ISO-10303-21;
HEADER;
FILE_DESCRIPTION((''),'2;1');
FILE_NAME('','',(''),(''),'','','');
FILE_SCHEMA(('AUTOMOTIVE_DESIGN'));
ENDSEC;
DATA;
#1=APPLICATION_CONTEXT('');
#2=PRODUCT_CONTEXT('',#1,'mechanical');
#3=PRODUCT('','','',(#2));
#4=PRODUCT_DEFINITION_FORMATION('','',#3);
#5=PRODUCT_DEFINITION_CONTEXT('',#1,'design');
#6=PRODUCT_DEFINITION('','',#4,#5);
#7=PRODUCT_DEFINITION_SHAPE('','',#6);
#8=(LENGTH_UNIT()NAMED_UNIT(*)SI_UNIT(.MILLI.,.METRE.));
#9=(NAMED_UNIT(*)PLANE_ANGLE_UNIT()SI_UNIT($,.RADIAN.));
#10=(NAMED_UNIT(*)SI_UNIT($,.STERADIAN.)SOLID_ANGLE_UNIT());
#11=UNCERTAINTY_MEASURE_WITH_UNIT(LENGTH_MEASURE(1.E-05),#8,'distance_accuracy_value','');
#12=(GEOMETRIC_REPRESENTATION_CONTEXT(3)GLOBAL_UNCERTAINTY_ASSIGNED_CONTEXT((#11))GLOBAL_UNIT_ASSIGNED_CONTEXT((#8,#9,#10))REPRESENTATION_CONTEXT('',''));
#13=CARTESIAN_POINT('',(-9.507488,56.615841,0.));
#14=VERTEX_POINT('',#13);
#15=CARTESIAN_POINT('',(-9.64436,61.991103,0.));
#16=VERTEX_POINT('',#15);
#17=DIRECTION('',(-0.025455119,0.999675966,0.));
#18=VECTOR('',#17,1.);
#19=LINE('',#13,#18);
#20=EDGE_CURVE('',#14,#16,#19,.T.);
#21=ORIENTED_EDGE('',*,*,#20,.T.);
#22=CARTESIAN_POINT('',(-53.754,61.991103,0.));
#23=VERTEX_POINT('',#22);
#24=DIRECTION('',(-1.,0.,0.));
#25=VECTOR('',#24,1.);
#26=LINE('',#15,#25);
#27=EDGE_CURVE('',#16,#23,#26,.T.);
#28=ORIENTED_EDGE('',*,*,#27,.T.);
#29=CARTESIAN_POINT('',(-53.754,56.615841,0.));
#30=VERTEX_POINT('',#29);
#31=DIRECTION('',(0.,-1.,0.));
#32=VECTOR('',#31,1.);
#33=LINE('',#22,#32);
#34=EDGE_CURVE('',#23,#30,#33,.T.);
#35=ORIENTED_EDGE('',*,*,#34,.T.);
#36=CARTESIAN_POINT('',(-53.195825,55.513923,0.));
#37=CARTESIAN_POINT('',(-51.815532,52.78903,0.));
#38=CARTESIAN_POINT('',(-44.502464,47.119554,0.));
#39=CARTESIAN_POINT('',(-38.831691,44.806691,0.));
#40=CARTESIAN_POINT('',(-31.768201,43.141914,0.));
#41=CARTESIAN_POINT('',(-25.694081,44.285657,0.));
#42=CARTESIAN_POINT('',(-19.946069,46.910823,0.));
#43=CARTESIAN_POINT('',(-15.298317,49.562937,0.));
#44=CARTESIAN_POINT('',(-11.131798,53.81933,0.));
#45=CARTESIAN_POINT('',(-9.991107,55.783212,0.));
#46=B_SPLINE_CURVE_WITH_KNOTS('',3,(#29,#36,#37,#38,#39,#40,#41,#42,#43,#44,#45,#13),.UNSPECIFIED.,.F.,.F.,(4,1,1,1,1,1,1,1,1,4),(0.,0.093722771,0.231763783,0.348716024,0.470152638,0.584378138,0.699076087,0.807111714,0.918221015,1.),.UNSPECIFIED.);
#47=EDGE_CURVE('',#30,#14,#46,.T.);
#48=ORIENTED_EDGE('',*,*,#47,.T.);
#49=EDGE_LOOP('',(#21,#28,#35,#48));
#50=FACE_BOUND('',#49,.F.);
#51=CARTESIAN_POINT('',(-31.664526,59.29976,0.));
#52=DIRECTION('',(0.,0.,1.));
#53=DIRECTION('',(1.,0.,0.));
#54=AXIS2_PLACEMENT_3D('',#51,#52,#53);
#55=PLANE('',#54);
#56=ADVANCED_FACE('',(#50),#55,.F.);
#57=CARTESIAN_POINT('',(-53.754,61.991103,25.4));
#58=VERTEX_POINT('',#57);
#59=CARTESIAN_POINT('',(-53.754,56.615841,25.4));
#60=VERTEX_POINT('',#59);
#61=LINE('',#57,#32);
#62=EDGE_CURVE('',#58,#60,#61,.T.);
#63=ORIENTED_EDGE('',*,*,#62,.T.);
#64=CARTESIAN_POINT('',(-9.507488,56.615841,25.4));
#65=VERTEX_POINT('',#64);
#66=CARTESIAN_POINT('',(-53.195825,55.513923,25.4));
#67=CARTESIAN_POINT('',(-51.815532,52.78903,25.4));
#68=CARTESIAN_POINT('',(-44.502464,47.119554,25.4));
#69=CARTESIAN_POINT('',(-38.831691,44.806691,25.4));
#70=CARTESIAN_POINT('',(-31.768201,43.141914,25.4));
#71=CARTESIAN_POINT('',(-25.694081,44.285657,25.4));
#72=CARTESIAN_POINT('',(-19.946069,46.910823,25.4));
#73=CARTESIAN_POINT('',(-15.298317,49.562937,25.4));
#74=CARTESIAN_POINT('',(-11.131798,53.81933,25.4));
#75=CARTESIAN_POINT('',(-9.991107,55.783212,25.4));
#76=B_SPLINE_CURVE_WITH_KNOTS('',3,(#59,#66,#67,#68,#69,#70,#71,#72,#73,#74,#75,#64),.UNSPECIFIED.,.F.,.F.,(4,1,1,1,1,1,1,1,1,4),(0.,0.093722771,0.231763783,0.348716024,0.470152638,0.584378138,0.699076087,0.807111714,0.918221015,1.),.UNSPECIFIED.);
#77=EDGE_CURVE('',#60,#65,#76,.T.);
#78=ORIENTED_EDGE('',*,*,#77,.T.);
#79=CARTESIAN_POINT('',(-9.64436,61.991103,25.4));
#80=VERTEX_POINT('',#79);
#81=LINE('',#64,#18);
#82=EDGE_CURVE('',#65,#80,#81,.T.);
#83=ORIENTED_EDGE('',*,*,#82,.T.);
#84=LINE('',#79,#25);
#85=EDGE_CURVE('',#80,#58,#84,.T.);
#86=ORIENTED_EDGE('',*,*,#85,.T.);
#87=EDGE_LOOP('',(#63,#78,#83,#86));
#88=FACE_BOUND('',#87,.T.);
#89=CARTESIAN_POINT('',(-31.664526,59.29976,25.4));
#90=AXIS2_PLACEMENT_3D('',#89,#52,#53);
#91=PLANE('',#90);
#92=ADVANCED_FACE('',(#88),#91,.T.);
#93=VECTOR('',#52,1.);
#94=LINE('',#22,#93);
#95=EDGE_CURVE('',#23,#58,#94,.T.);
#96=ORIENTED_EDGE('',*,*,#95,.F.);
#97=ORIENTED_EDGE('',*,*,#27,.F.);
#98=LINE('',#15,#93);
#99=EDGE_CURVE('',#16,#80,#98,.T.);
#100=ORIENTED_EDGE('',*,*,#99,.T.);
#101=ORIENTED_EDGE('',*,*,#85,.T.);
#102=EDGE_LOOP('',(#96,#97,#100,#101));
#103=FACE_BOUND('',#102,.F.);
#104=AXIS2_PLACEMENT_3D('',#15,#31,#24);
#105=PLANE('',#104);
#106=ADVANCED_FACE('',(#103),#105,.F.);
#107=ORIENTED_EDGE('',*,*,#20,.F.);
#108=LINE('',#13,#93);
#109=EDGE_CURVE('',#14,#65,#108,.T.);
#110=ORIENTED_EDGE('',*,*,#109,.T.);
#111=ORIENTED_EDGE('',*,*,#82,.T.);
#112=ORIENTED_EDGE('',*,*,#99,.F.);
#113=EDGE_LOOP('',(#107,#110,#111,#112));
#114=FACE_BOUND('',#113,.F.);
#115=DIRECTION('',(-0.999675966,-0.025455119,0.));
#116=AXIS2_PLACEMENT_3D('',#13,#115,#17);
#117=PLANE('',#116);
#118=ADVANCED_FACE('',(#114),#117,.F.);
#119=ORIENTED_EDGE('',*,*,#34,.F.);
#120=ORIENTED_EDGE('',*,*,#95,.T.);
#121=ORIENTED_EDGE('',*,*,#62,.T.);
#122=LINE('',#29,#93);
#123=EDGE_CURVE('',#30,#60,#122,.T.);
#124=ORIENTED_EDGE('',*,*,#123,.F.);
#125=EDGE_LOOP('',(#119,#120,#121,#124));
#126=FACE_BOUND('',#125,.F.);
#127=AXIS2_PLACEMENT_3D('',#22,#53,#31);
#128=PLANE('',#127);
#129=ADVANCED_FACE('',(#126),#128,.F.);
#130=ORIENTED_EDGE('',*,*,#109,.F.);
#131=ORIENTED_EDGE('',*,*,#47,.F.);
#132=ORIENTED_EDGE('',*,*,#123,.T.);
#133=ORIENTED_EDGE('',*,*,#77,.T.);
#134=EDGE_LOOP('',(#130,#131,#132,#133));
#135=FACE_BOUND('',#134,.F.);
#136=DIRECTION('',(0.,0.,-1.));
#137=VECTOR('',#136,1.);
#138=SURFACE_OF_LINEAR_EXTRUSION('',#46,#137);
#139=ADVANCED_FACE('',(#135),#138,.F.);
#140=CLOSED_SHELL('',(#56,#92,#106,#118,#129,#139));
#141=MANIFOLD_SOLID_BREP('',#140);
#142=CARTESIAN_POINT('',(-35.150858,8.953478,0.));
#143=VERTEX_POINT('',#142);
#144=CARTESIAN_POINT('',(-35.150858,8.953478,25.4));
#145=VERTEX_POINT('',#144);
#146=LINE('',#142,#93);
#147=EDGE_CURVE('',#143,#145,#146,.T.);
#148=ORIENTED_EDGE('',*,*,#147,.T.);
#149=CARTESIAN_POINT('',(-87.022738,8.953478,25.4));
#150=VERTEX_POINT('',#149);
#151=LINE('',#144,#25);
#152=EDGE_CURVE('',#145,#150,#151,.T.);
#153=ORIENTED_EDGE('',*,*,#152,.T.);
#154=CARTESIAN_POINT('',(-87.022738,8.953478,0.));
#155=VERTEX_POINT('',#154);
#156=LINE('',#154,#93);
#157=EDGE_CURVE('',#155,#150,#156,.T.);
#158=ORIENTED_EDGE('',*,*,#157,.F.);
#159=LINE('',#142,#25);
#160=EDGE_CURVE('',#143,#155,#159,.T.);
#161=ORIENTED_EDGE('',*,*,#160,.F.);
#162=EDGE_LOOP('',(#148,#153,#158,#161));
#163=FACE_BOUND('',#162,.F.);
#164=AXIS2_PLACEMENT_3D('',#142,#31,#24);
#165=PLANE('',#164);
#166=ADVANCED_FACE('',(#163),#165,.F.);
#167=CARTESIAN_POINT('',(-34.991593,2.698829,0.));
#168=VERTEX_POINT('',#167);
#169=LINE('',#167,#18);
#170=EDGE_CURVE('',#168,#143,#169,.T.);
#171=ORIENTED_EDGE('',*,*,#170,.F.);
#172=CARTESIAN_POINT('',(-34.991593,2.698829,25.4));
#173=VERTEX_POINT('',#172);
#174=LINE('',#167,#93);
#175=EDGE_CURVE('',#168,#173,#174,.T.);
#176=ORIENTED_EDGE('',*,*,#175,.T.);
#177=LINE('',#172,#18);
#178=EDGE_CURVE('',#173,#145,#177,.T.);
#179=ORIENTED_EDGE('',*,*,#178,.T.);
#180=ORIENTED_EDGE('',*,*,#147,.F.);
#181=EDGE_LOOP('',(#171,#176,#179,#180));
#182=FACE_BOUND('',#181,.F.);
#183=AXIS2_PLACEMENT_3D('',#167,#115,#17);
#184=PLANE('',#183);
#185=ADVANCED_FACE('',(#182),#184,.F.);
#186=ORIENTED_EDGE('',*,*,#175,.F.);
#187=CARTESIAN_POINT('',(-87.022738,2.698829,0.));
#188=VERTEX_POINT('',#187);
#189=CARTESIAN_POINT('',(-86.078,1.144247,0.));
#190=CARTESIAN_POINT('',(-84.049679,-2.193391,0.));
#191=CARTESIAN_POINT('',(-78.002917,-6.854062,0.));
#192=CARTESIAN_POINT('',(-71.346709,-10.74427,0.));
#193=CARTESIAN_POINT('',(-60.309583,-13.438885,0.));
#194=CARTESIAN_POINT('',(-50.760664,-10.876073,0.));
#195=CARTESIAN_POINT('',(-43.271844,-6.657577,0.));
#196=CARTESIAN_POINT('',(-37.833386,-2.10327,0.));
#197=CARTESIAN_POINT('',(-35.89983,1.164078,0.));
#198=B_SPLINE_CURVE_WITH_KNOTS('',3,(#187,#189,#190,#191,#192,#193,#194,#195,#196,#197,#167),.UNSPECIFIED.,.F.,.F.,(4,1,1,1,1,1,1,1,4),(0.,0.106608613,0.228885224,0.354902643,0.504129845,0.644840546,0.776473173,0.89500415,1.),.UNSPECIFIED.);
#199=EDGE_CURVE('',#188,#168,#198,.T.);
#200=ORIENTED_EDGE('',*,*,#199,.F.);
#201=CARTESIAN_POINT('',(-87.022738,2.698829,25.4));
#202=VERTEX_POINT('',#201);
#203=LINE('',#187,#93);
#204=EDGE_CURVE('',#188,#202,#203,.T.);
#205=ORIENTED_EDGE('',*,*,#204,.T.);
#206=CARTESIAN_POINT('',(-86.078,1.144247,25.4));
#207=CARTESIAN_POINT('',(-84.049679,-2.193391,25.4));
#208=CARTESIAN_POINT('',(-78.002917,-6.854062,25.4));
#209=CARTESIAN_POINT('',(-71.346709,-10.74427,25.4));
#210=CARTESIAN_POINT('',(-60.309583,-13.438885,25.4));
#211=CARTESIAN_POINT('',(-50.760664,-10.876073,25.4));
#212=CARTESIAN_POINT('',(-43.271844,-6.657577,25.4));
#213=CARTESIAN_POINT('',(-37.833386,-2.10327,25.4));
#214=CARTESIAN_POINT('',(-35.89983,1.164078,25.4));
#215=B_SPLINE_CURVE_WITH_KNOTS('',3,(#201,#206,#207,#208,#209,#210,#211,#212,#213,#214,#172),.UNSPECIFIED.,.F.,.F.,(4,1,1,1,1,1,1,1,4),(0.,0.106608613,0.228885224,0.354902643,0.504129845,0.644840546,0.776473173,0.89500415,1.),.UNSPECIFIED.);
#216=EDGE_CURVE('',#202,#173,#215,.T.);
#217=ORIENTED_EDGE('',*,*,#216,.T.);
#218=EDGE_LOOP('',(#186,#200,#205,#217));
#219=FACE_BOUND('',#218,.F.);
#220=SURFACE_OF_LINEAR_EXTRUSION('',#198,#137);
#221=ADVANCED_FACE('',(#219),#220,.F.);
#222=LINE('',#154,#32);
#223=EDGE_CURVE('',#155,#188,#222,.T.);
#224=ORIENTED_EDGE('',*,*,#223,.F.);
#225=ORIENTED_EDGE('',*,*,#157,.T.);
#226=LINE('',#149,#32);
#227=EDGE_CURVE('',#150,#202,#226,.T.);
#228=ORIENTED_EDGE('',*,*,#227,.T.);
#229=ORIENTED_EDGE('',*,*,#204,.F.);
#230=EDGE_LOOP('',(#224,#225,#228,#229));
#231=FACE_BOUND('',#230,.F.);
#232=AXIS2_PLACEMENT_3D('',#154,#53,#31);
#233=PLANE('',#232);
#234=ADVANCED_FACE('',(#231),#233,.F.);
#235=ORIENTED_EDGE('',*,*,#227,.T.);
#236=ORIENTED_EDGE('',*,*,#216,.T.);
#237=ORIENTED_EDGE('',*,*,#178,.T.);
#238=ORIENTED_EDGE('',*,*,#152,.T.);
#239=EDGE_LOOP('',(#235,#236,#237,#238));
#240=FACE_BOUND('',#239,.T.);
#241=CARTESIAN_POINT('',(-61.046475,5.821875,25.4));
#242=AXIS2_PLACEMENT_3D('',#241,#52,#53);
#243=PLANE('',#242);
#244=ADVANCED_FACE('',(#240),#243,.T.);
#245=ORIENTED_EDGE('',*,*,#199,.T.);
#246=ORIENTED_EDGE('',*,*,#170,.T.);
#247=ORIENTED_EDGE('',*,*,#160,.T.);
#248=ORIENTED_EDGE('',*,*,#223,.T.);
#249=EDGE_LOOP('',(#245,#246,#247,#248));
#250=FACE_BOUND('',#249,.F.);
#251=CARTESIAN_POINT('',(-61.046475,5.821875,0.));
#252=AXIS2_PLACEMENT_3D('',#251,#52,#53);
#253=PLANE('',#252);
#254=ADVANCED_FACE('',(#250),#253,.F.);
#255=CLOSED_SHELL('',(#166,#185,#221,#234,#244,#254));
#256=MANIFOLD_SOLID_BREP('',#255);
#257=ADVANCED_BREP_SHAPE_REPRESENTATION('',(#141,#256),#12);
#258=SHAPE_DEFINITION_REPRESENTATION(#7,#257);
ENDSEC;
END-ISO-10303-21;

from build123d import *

# Parameters (mm, degrees)
F1_DEPTH = 25.4


with BuildPart() as f1:
    # F0 (on Top) → F1 (new body)
    with BuildSketch(Plane.XY):
        Polygon((-9.6443598714, 61.9911029935), (-53.7539998714, 61.9911029935), (-53.7539998714, 56.6158406436), (-9.5074875799, 56.6158406436), align=None)
        with BuildLine():
            Line((-9.5074875799, 56.6158406436), (-53.7539998714, 56.6158406436))
            add(Edge.make_bspline(
                [(-53.7539998714, 56.6158406436), (-53.1958246055, 55.5139231862), (-51.8155323893, 52.7890298016), (-44.5024642898, 47.1195538446), (-38.8316912212, 44.8066912842), (-31.768200733, 43.1419143597), (-25.6940812341, 44.2856565361), (-19.9460688906, 46.9108231014), (-15.2983174631, 49.5629370309), (-11.1317978864, 53.8193302427), (-9.9911070802, 55.7832121998), (-9.5074875799, 56.6158406436)],
                knots=[0, 0, 0, 0, 0.0937227709, 0.2317637829, 0.3487160238, 0.4701526382, 0.5843781377, 0.699076087, 0.8071117137, 0.9182210147, 1, 1, 1, 1], degree=3))
        make_face()
    extrude(amount=F1_DEPTH)


with BuildPart() as f1b:
    # F0 (on Top) → F1, piece 2 (new body)
    with BuildSketch(Plane.XY):
        Polygon((-35.1508576555, 8.9534779158), (-87.0227376555, 8.9534779158), (-87.0227376555, 2.6988288932), (-34.9915932162, 2.6988288932), align=None)
        with BuildLine():
            Line((-34.9915932162, 2.6988288932), (-87.0227376555, 2.6988288932))
            add(Edge.make_bspline(
                [(-87.0227376555, 2.6988288932), (-86.0780001208, 1.1442467365), (-84.0496793597, -2.1933905938), (-78.0029169412, -6.8540624847), (-71.3467092941, -10.7442695569), (-60.3095825132, -13.4388849725), (-50.7606638154, -10.8760733946), (-43.2718440232, -6.6575767634), (-37.8333856197, -2.1032703579), (-35.8998300892, 1.1640779373), (-34.9915932162, 2.6988288932)],
                knots=[0, 0, 0, 0, 0.1066086127, 0.2288852241, 0.3549026427, 0.5041298448, 0.6448405464, 0.7764731728, 0.8950041499, 1, 1, 1, 1], degree=3))
        make_face()
    extrude(amount=F1_DEPTH)


solid = Compound([f1.part, f1b.part])
